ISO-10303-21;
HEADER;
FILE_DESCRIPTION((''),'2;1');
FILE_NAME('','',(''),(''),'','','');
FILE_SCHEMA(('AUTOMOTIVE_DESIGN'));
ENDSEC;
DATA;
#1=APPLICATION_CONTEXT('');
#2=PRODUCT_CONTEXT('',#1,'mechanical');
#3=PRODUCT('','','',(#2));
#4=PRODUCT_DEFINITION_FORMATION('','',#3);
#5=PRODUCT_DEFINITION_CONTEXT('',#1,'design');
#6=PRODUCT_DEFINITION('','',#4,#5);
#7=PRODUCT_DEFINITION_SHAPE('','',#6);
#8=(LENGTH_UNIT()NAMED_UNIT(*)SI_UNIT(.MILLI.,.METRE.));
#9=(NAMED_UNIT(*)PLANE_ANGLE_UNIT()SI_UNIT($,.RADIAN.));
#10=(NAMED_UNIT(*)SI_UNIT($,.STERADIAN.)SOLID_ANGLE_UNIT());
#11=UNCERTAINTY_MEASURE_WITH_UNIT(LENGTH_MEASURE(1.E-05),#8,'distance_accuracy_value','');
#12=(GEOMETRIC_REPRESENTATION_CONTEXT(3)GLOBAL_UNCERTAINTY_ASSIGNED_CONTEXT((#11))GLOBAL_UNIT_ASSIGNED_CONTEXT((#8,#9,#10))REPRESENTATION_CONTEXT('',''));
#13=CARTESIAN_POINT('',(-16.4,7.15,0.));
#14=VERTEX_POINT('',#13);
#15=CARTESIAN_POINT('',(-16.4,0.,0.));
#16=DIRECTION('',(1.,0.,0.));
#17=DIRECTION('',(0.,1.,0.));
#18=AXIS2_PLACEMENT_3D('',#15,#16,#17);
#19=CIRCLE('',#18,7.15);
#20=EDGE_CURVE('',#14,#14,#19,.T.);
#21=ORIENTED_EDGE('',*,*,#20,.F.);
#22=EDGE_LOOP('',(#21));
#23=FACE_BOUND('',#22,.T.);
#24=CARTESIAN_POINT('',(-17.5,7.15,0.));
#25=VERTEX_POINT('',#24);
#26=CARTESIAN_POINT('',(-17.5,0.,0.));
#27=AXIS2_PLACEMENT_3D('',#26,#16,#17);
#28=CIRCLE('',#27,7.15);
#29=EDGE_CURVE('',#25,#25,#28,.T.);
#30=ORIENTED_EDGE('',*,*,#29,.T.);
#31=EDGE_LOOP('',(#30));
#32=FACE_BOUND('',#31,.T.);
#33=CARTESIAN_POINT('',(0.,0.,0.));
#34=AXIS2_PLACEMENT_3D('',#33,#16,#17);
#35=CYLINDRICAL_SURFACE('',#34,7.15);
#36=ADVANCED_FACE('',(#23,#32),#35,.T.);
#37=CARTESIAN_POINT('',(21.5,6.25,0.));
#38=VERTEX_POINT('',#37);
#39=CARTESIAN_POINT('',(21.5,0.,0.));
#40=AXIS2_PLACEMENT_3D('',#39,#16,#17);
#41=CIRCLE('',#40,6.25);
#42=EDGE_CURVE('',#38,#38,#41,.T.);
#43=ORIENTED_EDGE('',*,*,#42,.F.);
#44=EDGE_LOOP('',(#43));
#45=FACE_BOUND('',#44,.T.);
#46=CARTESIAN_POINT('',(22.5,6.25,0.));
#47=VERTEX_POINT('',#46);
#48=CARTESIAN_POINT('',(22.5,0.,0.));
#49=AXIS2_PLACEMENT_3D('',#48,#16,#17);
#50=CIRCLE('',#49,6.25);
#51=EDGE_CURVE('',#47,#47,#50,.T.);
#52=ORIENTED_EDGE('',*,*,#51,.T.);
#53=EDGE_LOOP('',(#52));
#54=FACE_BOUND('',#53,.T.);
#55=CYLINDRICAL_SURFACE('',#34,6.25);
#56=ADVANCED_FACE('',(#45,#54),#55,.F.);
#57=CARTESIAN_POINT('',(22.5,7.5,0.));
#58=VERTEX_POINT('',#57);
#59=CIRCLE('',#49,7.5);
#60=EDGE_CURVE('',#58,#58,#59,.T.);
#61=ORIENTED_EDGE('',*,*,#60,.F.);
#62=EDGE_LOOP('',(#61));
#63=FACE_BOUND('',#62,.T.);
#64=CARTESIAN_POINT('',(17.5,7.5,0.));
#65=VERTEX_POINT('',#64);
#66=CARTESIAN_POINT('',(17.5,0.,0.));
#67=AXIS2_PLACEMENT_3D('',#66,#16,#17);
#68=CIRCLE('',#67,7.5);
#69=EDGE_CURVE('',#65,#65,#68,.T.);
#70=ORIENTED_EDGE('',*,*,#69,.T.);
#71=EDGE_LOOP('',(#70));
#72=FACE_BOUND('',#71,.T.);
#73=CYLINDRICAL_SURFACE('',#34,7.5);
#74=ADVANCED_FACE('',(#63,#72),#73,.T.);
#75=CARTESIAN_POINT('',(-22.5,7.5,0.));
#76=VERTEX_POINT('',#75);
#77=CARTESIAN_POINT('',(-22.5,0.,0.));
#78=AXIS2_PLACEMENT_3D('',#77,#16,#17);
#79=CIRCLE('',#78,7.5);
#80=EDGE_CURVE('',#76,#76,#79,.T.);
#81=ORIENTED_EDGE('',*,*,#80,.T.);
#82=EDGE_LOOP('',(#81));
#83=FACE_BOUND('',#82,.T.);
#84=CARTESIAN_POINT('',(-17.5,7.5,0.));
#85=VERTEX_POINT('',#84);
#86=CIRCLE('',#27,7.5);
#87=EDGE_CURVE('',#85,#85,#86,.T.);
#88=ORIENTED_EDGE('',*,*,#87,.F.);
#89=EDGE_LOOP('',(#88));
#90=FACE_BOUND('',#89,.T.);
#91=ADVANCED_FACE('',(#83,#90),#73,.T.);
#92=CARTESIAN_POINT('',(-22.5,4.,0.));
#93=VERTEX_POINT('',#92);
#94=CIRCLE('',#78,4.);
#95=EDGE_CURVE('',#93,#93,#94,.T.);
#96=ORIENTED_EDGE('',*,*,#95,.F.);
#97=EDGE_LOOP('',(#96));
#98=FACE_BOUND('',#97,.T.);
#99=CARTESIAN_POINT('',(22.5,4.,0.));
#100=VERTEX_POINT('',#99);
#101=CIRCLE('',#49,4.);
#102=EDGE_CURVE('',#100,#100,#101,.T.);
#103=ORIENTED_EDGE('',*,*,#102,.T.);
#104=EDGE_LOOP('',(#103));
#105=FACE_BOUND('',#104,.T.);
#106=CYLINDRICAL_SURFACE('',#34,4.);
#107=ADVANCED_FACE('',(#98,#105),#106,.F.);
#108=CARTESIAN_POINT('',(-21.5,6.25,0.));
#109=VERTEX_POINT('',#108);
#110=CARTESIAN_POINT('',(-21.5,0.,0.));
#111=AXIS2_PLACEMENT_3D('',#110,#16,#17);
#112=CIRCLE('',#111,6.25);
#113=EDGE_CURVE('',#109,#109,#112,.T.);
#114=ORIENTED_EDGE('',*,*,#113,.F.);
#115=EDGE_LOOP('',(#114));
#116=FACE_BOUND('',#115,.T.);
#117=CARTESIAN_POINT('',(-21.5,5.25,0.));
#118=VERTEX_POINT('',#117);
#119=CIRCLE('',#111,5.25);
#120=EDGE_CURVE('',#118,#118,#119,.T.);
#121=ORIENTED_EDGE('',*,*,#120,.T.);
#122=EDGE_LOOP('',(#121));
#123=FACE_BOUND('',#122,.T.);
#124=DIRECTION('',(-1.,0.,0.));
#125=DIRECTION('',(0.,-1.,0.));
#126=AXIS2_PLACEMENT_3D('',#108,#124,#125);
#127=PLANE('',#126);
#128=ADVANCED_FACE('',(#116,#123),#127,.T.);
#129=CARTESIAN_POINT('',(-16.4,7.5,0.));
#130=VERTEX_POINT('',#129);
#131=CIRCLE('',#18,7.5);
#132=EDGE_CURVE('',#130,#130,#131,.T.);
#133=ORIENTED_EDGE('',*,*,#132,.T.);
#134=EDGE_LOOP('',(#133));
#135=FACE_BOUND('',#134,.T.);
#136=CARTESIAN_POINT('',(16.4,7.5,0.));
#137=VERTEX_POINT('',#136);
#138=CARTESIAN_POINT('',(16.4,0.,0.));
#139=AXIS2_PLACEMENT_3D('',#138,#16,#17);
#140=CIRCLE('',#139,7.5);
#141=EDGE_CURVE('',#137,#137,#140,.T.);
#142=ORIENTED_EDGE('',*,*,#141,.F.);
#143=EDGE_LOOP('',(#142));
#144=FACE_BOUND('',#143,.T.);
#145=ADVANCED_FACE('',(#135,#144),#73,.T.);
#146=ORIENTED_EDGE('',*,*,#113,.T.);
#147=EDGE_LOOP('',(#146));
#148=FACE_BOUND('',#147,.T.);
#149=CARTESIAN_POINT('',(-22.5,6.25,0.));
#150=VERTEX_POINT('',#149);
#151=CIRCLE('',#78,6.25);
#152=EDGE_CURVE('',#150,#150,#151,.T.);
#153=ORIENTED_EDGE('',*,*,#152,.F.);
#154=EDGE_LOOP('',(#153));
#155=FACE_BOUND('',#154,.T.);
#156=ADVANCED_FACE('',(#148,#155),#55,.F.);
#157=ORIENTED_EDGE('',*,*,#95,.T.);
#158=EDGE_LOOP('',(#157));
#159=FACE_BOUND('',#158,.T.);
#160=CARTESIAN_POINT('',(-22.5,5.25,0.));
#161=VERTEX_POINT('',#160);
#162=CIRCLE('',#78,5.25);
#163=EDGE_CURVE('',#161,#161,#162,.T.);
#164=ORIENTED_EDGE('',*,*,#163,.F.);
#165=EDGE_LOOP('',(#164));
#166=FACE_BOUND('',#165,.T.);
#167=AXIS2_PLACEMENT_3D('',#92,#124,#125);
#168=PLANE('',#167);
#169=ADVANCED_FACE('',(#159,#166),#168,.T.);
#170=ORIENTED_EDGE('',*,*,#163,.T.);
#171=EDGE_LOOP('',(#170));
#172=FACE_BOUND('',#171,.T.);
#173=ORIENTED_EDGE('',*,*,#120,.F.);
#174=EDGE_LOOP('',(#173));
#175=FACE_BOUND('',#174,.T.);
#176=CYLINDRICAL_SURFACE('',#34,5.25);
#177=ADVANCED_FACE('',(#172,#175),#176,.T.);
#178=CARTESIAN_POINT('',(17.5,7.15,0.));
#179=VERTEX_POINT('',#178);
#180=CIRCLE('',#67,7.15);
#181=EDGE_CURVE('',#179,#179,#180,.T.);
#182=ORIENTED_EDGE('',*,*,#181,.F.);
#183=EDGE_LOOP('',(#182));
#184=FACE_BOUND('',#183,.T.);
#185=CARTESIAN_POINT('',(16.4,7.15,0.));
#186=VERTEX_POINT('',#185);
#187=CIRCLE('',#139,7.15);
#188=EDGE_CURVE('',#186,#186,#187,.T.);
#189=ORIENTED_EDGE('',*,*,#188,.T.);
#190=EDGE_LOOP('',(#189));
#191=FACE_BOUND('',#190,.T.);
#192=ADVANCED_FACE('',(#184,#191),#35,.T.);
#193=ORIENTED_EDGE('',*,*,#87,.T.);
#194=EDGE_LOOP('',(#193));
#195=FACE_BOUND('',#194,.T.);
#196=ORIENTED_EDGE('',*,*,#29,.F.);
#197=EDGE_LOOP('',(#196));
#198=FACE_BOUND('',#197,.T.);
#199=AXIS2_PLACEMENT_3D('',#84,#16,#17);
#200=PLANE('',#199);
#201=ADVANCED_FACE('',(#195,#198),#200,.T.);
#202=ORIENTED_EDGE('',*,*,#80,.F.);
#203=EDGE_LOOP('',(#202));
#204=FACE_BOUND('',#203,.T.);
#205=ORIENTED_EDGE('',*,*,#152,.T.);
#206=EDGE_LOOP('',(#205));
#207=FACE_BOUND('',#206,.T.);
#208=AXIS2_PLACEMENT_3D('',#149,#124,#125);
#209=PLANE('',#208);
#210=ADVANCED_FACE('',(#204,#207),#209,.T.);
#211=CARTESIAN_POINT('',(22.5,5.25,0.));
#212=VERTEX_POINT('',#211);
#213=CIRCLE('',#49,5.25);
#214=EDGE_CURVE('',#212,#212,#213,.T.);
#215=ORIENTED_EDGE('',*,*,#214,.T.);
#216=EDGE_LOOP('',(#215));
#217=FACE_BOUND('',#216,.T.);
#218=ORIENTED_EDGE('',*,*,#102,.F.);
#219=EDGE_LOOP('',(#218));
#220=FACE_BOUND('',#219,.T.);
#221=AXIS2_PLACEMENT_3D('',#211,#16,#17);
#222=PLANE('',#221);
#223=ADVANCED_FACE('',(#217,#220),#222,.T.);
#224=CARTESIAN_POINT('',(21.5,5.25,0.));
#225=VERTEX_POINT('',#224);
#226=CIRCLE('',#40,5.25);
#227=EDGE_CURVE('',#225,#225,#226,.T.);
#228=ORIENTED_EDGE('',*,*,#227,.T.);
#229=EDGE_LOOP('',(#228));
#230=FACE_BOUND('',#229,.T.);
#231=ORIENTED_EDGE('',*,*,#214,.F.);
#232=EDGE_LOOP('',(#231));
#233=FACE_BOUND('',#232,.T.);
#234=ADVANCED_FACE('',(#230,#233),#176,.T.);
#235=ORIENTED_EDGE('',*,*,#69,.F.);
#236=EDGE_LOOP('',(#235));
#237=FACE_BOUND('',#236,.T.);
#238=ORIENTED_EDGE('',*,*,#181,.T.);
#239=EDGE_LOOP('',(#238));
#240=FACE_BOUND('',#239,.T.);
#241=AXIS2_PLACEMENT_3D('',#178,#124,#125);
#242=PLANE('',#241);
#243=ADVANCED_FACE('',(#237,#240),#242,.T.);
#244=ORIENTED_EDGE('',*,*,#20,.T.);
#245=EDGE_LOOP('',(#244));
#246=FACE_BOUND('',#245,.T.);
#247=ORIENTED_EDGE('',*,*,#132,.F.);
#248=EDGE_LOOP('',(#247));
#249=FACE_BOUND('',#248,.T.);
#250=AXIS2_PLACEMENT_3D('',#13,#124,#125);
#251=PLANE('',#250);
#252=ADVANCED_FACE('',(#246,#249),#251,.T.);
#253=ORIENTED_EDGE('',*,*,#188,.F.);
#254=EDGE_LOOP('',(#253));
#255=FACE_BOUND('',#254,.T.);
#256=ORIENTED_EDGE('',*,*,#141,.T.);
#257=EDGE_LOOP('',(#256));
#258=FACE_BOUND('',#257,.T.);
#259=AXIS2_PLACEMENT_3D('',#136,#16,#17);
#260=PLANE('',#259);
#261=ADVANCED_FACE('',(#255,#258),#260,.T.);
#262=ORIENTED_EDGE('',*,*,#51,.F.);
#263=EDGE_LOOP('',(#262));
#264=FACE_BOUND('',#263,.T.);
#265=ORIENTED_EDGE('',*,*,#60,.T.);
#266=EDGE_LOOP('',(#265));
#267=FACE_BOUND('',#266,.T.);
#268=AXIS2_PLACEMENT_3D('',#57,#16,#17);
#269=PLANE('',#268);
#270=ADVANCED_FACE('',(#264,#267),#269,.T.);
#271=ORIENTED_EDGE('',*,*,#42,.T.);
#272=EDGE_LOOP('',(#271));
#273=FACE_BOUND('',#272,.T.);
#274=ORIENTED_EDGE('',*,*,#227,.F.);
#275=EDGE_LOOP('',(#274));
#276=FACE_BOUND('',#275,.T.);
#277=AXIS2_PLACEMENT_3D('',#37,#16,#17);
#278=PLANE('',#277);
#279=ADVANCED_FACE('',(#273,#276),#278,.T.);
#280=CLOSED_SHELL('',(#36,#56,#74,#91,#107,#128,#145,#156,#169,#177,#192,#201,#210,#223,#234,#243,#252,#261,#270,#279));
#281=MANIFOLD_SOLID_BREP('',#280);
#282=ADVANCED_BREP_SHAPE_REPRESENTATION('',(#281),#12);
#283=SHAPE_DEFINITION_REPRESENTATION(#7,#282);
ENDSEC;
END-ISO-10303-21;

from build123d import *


with BuildPart() as part:
    # Esboço1 → Revolução1 (revolve)
    with BuildSketch(Plane.XY):
        Polygon((-22.5, 7.5), (-17.5, 7.5), (-17.5, 7.15), (-16.4, 7.15), (-16.4, 7.5), (16.4, 7.5), (16.4, 7.15), (17.5, 7.15), (17.5, 7.5), (22.5, 7.5), (22.5, 6.25), (21.5, 6.25), (21.5, 5.25), (22.5, 5.25), (22.5, 4), (-22.5, 4), (-22.5, 5.25), (-21.5, 5.25), (-21.5, 6.25), (-22.5, 6.25), align=None)
    revolve(axis=Axis((0, 0, 0), (-1, 0, 0)))


solid = part.part
